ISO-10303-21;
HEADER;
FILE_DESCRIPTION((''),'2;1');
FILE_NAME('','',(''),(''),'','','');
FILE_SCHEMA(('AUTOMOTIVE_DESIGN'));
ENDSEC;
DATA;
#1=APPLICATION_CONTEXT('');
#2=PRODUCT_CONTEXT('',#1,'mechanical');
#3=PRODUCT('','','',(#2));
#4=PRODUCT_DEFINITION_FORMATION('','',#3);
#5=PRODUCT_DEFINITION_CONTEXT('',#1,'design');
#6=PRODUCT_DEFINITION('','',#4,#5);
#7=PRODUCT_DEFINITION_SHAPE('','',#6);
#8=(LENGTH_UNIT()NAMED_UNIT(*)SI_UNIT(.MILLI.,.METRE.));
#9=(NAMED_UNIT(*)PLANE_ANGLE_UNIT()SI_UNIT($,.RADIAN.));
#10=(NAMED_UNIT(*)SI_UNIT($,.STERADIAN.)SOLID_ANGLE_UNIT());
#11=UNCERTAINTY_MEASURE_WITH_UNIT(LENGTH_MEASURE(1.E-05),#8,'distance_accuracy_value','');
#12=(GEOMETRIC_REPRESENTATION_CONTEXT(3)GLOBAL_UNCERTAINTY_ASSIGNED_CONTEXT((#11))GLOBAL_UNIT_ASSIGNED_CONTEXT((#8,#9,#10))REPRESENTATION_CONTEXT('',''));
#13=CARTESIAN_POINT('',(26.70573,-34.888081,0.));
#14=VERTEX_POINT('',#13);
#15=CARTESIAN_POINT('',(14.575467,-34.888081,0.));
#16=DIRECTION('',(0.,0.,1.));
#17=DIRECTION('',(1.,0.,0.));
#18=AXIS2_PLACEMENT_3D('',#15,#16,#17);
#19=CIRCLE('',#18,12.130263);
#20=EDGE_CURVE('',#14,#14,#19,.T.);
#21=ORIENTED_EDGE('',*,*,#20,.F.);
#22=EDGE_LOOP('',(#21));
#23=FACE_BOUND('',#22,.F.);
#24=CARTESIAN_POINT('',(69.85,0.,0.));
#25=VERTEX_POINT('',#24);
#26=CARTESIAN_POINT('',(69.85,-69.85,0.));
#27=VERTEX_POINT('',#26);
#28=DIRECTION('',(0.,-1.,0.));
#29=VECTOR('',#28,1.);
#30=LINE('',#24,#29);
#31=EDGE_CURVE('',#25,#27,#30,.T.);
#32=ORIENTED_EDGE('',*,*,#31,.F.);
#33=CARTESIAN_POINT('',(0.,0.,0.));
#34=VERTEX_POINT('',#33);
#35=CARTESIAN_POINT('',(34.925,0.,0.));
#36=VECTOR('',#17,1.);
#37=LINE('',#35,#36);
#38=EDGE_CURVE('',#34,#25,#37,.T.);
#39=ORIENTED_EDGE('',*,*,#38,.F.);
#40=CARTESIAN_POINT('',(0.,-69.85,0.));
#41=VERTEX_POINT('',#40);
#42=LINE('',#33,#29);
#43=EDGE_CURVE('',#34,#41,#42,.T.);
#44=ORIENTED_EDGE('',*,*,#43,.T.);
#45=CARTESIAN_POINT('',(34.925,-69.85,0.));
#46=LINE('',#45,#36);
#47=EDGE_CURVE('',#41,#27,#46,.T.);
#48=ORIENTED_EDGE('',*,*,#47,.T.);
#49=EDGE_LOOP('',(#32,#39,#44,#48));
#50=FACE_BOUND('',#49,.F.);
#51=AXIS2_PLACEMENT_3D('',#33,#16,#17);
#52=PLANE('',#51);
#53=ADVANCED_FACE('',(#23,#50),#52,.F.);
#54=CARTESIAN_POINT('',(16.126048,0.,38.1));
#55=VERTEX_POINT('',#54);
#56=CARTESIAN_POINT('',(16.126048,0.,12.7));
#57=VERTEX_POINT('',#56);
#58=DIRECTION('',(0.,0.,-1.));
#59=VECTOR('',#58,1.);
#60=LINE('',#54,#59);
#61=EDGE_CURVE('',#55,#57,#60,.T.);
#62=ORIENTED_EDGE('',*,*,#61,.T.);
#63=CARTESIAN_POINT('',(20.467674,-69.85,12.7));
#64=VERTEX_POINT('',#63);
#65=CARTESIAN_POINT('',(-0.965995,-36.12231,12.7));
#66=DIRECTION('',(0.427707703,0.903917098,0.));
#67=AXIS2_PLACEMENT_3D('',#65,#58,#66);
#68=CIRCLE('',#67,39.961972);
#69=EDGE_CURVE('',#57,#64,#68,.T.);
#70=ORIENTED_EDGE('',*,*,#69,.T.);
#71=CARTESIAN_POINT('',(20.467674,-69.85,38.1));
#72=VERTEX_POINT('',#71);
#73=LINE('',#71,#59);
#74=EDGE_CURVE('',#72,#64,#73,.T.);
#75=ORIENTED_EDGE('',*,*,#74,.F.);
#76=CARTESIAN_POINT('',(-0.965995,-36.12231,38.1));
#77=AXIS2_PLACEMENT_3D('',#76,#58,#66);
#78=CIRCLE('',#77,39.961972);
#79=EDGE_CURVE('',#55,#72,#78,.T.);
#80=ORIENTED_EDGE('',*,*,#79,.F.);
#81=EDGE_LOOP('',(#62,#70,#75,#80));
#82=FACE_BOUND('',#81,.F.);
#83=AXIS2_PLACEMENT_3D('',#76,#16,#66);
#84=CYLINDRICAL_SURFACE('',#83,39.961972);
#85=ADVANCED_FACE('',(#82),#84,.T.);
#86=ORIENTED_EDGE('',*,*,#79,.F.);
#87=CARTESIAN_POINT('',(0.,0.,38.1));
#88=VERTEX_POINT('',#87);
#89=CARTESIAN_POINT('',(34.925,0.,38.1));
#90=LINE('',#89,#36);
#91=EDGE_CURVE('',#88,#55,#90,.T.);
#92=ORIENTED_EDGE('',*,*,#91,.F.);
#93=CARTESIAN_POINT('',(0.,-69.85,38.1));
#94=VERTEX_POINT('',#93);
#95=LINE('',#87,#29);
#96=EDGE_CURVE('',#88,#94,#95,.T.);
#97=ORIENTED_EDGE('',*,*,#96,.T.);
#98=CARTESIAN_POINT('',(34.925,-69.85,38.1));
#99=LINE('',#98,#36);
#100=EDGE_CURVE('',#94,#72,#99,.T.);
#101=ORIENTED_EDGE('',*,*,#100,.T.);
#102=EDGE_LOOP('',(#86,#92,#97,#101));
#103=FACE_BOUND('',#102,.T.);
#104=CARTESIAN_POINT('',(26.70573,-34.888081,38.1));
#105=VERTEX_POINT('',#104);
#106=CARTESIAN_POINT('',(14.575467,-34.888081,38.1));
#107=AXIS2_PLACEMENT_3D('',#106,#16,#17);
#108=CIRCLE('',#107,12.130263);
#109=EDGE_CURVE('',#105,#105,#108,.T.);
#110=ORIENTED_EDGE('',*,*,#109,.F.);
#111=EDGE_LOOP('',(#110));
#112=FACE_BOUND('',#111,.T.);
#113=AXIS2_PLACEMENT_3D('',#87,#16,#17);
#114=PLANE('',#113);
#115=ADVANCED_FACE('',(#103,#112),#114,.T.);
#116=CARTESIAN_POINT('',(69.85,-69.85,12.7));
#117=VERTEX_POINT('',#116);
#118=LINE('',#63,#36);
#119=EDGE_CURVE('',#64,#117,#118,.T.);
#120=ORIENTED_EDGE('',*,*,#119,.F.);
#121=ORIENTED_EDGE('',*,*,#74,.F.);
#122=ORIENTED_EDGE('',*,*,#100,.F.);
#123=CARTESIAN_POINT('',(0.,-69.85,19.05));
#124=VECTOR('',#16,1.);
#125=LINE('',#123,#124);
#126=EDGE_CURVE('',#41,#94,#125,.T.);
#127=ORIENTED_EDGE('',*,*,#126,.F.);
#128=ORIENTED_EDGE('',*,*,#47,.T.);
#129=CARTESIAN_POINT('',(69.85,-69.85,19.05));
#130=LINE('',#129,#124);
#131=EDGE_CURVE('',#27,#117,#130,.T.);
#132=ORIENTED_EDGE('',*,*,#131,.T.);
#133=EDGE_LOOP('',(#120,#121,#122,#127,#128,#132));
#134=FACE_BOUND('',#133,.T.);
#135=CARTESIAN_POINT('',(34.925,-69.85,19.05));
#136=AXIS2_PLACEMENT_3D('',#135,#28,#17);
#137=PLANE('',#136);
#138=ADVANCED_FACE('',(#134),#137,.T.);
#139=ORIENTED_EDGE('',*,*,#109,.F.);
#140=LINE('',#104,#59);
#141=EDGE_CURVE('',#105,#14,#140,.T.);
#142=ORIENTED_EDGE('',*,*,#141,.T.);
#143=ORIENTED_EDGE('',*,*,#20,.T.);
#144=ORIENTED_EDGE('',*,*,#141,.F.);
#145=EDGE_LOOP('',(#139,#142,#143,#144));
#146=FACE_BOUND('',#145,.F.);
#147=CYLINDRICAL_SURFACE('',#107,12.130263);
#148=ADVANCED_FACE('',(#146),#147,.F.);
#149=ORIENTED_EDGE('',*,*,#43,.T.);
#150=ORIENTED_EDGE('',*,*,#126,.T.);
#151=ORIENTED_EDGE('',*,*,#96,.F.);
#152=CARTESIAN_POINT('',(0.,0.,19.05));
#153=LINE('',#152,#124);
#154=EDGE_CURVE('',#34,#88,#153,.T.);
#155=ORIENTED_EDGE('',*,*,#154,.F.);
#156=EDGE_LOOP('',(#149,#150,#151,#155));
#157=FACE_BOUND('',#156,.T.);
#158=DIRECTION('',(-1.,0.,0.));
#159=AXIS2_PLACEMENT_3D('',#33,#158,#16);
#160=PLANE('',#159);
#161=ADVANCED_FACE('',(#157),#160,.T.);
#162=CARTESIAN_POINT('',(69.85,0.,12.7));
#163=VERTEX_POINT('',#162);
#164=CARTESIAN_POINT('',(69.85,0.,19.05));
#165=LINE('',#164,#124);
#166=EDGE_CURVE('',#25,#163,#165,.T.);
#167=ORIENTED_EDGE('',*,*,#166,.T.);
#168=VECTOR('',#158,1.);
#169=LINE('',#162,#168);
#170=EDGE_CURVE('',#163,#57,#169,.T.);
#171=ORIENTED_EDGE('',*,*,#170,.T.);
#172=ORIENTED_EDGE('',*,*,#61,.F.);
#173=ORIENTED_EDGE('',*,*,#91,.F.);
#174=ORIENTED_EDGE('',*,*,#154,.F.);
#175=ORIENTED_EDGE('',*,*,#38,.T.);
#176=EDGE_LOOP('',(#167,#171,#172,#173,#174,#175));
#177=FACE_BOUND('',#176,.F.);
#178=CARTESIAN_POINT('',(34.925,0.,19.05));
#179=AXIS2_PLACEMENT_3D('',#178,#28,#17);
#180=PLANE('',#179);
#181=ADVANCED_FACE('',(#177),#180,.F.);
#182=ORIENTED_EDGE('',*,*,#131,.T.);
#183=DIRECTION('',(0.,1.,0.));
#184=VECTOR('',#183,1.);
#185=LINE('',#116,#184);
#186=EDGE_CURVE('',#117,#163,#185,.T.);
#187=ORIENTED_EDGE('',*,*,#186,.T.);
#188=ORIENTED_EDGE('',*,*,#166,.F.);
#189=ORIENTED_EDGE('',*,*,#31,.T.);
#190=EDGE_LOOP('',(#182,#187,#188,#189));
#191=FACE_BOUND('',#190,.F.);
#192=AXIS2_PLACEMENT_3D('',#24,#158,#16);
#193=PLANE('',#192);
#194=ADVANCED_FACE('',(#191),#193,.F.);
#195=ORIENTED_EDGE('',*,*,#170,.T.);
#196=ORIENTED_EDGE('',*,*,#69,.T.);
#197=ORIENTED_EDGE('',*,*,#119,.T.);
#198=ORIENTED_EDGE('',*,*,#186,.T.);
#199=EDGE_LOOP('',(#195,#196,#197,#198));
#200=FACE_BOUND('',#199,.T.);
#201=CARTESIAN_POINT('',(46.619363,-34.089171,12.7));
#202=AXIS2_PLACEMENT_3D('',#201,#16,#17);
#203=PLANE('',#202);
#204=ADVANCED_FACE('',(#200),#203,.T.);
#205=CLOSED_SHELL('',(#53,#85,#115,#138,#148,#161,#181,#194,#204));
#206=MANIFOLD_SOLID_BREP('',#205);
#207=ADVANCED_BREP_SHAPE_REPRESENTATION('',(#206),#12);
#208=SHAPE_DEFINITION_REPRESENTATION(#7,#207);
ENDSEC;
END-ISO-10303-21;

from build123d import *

# Parameters (mm, degrees)
F0_W     = 69.85
F0_H     = 38.1
F1_DEPTH = 69.85
F3_DEPTH = 25.4
F4_R     = 12.130263
F5_DEPTH = 38.1


with BuildPart() as f1:
    # F0 (on Front) → F1 (new body)
    with BuildSketch(Plane.XZ):
        with Locations((34.925, 19.05)):
            Rectangle(F0_W, F0_H)
    extrude(amount=F1_DEPTH)

    # F2 (on face) → F3 (cut)
    with BuildSketch(Plane.XY.offset(38.1)):
        with BuildLine():
            ThreePointArc((16.126048, 0), (38.919005, -33.643201), (20.467674, -69.85))
            Line((20.467674, -69.85), (69.85, -69.85))
            Line((69.85, -69.85), (69.85, 0))
            Line((69.85, 0), (16.126048, 0))
        make_face()
    extrude(amount=-F3_DEPTH, mode=Mode.SUBTRACT)

    # F4 (on face) → F5 (cut)
    with BuildSketch(Plane.XY.offset(38.1)):
        with Locations((14.575467, -34.888081)):
            Circle(F4_R)
    extrude(amount=-F5_DEPTH, mode=Mode.SUBTRACT)


solid = f1.part
